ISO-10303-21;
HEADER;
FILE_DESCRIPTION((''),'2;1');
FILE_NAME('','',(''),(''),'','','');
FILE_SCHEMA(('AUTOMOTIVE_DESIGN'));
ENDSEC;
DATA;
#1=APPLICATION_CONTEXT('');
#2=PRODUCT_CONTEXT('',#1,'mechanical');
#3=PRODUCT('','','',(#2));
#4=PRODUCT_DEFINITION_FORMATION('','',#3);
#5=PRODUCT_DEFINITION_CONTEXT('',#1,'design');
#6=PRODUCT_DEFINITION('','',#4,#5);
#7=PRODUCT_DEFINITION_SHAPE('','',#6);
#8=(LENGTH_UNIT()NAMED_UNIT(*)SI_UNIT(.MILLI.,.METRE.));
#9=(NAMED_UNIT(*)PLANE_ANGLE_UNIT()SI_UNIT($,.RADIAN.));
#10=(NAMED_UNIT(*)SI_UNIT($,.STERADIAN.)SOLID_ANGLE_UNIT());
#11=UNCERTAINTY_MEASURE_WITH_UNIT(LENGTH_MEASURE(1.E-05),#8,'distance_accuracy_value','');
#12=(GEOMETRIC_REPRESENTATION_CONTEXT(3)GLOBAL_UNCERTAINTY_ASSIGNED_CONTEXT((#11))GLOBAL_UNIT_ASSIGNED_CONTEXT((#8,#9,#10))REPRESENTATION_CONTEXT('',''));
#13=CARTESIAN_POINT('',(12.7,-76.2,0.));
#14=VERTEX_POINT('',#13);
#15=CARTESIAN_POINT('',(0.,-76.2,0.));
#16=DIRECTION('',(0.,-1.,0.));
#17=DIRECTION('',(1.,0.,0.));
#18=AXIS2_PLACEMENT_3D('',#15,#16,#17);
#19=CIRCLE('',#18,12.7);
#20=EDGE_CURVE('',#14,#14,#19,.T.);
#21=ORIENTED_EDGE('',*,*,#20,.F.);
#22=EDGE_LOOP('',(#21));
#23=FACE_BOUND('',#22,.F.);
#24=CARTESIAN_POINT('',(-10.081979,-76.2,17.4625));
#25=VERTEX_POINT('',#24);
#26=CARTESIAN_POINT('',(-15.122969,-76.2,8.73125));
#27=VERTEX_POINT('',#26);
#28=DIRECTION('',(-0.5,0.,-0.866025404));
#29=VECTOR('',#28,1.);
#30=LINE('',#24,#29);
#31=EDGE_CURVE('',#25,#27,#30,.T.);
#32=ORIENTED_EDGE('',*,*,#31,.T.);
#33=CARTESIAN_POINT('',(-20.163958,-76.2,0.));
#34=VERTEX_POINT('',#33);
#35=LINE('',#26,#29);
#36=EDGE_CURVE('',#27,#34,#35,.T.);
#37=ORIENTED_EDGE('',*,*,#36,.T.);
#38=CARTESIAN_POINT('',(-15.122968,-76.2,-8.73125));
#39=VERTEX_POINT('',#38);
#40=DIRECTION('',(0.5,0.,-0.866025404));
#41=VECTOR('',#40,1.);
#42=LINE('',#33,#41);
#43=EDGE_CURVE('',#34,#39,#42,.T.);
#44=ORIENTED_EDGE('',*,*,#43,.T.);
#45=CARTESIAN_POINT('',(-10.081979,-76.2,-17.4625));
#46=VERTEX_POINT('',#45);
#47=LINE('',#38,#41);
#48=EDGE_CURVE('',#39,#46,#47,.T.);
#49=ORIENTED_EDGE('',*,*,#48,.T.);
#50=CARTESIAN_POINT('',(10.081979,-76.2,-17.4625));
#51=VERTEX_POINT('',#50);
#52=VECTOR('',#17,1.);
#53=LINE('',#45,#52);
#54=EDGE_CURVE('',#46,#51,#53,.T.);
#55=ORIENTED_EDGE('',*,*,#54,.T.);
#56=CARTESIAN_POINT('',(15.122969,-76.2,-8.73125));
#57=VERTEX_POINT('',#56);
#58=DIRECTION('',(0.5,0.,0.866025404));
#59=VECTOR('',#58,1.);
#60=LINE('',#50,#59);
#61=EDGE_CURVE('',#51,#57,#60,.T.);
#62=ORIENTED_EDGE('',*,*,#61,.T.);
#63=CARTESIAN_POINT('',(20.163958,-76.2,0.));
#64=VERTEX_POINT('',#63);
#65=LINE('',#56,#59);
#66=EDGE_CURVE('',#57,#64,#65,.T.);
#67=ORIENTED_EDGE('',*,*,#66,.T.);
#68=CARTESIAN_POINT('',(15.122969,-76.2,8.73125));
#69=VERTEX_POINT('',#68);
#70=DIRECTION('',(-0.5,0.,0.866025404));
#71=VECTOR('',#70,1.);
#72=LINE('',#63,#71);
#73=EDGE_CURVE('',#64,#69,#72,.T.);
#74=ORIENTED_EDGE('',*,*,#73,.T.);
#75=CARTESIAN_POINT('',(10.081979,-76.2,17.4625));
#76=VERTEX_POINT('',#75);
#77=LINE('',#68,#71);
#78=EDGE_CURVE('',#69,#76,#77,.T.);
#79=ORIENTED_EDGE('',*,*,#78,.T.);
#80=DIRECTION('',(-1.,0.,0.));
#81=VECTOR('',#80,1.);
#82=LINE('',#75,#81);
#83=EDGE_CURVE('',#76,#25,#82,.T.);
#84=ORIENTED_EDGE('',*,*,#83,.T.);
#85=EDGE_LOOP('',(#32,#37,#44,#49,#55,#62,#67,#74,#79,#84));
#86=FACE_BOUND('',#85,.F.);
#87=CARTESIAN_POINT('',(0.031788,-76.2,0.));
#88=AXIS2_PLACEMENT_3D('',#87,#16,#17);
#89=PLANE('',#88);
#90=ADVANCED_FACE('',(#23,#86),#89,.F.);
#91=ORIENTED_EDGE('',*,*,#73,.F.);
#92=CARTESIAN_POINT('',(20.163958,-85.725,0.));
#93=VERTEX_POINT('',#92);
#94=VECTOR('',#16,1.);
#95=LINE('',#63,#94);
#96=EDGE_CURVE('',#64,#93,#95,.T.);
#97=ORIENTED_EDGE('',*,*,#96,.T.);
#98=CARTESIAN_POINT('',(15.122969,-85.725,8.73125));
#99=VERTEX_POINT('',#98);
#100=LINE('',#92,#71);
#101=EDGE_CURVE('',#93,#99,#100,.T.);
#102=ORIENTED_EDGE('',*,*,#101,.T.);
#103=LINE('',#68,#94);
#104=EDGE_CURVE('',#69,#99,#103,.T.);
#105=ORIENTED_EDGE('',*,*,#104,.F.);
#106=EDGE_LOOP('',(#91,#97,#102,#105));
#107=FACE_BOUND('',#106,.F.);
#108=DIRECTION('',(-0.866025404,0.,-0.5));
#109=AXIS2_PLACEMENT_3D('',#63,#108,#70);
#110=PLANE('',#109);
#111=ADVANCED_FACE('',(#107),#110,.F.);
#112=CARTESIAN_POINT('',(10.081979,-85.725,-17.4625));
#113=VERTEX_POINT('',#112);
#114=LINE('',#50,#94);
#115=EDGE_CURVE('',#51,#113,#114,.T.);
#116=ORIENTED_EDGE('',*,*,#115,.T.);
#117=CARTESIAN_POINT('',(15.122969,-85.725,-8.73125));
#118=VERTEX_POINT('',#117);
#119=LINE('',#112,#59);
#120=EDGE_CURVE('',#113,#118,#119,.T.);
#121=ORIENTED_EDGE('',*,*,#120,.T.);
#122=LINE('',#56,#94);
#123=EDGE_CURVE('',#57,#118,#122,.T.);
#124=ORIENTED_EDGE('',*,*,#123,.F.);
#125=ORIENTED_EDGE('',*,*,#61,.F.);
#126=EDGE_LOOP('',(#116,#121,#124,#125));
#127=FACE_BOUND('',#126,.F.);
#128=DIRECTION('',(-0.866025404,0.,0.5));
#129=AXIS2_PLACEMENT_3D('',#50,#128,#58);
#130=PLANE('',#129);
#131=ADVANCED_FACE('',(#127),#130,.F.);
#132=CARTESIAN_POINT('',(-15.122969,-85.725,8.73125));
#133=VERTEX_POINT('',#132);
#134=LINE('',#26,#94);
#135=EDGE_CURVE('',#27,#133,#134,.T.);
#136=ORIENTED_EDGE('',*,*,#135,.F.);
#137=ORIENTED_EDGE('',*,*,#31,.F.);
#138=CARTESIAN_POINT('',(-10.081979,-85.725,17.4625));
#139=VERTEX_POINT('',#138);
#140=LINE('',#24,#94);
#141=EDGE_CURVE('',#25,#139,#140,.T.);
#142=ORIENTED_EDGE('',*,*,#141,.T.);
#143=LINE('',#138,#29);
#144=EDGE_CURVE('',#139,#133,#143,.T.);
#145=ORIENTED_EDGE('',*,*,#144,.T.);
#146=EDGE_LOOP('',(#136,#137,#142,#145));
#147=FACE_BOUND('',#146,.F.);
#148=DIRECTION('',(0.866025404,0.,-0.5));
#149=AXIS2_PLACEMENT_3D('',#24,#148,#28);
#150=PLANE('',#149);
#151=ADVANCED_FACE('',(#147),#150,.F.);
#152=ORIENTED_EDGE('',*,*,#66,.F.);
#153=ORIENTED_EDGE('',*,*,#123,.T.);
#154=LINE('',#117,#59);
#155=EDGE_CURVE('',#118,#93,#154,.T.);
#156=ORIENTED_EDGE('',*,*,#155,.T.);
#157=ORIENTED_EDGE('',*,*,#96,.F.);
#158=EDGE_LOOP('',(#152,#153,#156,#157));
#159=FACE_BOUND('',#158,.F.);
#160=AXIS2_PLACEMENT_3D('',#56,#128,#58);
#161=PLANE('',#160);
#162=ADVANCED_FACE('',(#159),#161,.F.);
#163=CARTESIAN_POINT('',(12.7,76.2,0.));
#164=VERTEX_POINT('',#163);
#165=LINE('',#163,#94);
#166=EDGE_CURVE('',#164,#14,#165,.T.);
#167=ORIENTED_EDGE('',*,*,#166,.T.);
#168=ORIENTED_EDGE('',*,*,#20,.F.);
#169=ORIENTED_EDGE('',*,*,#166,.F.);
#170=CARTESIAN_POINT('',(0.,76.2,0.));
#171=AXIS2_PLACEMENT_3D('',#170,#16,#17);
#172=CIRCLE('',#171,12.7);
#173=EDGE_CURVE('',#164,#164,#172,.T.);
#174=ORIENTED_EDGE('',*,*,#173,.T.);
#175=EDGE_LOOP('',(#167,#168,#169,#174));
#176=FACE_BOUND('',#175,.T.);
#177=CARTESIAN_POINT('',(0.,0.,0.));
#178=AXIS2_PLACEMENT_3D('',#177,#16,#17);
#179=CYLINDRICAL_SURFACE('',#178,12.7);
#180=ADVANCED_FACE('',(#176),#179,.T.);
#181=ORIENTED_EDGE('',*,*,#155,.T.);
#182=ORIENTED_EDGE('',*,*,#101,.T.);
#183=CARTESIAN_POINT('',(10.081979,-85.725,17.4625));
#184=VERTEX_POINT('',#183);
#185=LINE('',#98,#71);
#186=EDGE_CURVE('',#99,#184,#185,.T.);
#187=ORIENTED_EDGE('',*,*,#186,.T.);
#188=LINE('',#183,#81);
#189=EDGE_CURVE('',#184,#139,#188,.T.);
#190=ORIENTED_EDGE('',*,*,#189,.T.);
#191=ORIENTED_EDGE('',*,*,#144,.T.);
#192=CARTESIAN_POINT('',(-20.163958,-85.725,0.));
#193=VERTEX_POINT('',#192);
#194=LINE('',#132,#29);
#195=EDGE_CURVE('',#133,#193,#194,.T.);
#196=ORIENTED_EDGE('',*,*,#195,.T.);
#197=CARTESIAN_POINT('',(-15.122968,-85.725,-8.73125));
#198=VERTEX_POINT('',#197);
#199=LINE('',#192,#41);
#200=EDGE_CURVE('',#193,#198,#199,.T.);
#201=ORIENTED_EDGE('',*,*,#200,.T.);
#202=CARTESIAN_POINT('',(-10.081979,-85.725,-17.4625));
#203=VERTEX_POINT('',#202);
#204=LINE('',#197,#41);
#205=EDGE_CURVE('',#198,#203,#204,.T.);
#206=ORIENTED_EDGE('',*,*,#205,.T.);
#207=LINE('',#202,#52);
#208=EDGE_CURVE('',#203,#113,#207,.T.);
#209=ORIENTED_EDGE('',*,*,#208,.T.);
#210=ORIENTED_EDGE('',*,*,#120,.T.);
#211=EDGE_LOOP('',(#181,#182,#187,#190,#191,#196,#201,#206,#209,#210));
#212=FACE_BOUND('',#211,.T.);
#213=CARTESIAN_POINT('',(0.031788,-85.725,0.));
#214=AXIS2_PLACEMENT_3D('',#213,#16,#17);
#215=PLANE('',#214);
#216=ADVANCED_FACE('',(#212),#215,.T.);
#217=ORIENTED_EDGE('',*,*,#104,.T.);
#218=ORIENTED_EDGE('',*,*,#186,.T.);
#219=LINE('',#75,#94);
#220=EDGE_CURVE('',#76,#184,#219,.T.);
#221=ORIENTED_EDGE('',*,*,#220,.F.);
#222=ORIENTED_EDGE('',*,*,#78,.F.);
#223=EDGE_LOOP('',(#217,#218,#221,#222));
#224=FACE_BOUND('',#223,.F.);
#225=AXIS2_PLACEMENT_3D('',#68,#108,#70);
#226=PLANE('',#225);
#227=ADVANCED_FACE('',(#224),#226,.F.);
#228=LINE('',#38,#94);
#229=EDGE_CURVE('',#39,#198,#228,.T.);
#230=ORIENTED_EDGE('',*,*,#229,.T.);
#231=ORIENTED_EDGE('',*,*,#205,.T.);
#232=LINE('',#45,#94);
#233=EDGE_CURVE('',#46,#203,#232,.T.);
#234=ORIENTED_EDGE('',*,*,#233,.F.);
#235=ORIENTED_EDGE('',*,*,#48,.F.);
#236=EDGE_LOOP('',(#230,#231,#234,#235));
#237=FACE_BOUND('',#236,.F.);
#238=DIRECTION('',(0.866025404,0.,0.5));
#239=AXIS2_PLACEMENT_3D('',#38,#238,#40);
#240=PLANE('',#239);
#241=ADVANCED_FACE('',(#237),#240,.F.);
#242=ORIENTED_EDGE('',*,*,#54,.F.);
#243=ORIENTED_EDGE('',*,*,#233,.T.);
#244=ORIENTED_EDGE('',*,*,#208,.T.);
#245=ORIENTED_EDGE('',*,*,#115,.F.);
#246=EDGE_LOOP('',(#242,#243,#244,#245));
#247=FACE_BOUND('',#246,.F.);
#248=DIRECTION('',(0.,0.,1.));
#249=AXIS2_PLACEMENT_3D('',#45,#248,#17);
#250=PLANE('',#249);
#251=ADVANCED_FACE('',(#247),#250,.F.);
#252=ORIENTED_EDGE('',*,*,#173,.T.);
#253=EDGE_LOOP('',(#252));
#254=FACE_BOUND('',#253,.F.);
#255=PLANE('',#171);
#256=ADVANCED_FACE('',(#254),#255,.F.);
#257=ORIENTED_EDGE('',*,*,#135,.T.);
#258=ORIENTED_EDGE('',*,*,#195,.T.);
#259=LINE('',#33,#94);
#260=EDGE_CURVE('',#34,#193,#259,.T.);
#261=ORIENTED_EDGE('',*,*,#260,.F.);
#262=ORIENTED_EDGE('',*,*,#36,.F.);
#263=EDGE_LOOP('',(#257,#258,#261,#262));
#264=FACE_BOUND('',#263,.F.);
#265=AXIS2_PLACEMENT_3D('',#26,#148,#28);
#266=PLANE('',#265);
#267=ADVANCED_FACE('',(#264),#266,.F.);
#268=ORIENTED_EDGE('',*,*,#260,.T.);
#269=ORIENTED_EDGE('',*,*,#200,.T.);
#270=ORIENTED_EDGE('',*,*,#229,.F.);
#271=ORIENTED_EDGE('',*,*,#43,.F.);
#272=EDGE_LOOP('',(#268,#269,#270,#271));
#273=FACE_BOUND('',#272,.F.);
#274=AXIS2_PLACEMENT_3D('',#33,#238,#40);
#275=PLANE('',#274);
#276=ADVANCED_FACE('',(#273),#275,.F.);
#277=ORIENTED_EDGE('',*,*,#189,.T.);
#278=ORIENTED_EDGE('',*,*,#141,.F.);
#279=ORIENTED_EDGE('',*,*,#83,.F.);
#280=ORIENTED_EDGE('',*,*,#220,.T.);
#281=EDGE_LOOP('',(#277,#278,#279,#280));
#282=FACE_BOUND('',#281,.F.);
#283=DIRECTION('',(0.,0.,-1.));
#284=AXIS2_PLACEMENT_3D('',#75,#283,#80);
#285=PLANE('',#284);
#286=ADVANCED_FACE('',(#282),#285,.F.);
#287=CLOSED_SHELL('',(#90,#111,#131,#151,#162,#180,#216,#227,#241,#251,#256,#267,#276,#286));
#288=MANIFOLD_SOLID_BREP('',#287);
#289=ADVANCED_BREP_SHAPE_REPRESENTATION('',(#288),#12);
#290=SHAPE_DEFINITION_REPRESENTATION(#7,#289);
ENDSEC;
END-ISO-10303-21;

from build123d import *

# Parameters (mm, degrees)
F0_R     = 12.7
F1_DEPTH = 76.2
F2_R     = 12.7
F3_DEPTH = 9.525


with BuildPart() as f1:
    # F0 (on Front) → F1 (new body, symmetric)
    with BuildSketch(Plane.XZ):
        Circle(F0_R)
    extrude(amount=F1_DEPTH, both=True)

    # F2 (on face) → F3 (join)
    with BuildSketch(Plane.XZ.offset(76.2)):
        with BuildLine():
            ThreePointArc((15.1229686772, -8.7312498898), (16.867479758, -4.5196275136), (17.4625, 0))
            ThreePointArc((17.4625, 0), (16.8674797672, 4.5196274796), (15.1229687125, 8.7312498287))
            ThreePointArc((15.1229687125, 8.7312498287), (8.7312500857, 15.1229685641), (0, 17.4625))
            ThreePointArc((0, 17.4625), (-8.7312499563, 15.1229686388), (-15.1229685631, 8.7312500875))
            ThreePointArc((-15.1229685631, 8.7312500875), (-17.4625, -1.494e-07), (-15.1229684137, -8.7312503463))
            ThreePointArc((-15.1229684137, -8.7312503463), (-8.7312498116, -15.1229687224), (3.53e-08, -17.4625))
            ThreePointArc((3.53e-08, -17.4625), (8.7312500704, -15.122968573), (15.1229686772, -8.7312498898))
        make_face()
        Circle(F2_R, mode=Mode.SUBTRACT)
        Circle(F2_R)
        with BuildLine():
            ThreePointArc((0, 17.4625), (8.7312500857, 15.1229685641), (15.1229687125, 8.7312498287))
            Line((15.1229687125, 8.7312498287), (10.0819790757, 17.4625))
            Line((10.0819790757, 17.4625), (0, 17.4625))
        make_face()
        with BuildLine():
            ThreePointArc((-15.1229685631, 8.7312500875), (-8.7312499563, 15.1229686388), (0, 17.4625))
            Line((0, 17.4625), (-10.0819790757, 17.4625))
            Line((-10.0819790757, 17.4625), (-15.1229685631, 8.7312500875))
        make_face()
        with BuildLine():
            ThreePointArc((15.1229687125, 8.7312498287), (16.8674797672, 4.5196274796), (17.4625, 0))
            ThreePointArc((17.4625, 0), (16.867479758, -4.5196275136), (15.1229686772, -8.7312498898))
            Line((15.1229686772, -8.7312498898), (20.1639581514, 0))
            Line((20.1639581514, 0), (15.1229687125, 8.7312498287))
        make_face()
        with BuildLine():
            Line((10.0819790757, -17.4625), (15.1229686772, -8.7312498898))
            ThreePointArc((15.1229686772, -8.7312498898), (8.7312500704, -15.122968573), (3.53e-08, -17.4625))
            Line((3.53e-08, -17.4625), (10.0819790757, -17.4625))
        make_face()
        with BuildLine():
            Line((-10.0819790757, -17.4625), (3.53e-08, -17.4625))
            ThreePointArc((3.53e-08, -17.4625), (-8.7312498116, -15.1229687224), (-15.1229684137, -8.7312503463))
            Line((-15.1229684137, -8.7312503463), (-10.0819790757, -17.4625))
        make_face()
        with BuildLine():
            ThreePointArc((-15.1229684137, -8.7312503463), (-17.4625, -1.494e-07), (-15.1229685631, 8.7312500875))
            Line((-15.1229685631, 8.7312500875), (-20.1639581514, 0))
            Line((-20.1639581514, 0), (-15.1229684137, -8.7312503463))
        make_face()
    extrude(amount=F3_DEPTH)


solid = f1.part
